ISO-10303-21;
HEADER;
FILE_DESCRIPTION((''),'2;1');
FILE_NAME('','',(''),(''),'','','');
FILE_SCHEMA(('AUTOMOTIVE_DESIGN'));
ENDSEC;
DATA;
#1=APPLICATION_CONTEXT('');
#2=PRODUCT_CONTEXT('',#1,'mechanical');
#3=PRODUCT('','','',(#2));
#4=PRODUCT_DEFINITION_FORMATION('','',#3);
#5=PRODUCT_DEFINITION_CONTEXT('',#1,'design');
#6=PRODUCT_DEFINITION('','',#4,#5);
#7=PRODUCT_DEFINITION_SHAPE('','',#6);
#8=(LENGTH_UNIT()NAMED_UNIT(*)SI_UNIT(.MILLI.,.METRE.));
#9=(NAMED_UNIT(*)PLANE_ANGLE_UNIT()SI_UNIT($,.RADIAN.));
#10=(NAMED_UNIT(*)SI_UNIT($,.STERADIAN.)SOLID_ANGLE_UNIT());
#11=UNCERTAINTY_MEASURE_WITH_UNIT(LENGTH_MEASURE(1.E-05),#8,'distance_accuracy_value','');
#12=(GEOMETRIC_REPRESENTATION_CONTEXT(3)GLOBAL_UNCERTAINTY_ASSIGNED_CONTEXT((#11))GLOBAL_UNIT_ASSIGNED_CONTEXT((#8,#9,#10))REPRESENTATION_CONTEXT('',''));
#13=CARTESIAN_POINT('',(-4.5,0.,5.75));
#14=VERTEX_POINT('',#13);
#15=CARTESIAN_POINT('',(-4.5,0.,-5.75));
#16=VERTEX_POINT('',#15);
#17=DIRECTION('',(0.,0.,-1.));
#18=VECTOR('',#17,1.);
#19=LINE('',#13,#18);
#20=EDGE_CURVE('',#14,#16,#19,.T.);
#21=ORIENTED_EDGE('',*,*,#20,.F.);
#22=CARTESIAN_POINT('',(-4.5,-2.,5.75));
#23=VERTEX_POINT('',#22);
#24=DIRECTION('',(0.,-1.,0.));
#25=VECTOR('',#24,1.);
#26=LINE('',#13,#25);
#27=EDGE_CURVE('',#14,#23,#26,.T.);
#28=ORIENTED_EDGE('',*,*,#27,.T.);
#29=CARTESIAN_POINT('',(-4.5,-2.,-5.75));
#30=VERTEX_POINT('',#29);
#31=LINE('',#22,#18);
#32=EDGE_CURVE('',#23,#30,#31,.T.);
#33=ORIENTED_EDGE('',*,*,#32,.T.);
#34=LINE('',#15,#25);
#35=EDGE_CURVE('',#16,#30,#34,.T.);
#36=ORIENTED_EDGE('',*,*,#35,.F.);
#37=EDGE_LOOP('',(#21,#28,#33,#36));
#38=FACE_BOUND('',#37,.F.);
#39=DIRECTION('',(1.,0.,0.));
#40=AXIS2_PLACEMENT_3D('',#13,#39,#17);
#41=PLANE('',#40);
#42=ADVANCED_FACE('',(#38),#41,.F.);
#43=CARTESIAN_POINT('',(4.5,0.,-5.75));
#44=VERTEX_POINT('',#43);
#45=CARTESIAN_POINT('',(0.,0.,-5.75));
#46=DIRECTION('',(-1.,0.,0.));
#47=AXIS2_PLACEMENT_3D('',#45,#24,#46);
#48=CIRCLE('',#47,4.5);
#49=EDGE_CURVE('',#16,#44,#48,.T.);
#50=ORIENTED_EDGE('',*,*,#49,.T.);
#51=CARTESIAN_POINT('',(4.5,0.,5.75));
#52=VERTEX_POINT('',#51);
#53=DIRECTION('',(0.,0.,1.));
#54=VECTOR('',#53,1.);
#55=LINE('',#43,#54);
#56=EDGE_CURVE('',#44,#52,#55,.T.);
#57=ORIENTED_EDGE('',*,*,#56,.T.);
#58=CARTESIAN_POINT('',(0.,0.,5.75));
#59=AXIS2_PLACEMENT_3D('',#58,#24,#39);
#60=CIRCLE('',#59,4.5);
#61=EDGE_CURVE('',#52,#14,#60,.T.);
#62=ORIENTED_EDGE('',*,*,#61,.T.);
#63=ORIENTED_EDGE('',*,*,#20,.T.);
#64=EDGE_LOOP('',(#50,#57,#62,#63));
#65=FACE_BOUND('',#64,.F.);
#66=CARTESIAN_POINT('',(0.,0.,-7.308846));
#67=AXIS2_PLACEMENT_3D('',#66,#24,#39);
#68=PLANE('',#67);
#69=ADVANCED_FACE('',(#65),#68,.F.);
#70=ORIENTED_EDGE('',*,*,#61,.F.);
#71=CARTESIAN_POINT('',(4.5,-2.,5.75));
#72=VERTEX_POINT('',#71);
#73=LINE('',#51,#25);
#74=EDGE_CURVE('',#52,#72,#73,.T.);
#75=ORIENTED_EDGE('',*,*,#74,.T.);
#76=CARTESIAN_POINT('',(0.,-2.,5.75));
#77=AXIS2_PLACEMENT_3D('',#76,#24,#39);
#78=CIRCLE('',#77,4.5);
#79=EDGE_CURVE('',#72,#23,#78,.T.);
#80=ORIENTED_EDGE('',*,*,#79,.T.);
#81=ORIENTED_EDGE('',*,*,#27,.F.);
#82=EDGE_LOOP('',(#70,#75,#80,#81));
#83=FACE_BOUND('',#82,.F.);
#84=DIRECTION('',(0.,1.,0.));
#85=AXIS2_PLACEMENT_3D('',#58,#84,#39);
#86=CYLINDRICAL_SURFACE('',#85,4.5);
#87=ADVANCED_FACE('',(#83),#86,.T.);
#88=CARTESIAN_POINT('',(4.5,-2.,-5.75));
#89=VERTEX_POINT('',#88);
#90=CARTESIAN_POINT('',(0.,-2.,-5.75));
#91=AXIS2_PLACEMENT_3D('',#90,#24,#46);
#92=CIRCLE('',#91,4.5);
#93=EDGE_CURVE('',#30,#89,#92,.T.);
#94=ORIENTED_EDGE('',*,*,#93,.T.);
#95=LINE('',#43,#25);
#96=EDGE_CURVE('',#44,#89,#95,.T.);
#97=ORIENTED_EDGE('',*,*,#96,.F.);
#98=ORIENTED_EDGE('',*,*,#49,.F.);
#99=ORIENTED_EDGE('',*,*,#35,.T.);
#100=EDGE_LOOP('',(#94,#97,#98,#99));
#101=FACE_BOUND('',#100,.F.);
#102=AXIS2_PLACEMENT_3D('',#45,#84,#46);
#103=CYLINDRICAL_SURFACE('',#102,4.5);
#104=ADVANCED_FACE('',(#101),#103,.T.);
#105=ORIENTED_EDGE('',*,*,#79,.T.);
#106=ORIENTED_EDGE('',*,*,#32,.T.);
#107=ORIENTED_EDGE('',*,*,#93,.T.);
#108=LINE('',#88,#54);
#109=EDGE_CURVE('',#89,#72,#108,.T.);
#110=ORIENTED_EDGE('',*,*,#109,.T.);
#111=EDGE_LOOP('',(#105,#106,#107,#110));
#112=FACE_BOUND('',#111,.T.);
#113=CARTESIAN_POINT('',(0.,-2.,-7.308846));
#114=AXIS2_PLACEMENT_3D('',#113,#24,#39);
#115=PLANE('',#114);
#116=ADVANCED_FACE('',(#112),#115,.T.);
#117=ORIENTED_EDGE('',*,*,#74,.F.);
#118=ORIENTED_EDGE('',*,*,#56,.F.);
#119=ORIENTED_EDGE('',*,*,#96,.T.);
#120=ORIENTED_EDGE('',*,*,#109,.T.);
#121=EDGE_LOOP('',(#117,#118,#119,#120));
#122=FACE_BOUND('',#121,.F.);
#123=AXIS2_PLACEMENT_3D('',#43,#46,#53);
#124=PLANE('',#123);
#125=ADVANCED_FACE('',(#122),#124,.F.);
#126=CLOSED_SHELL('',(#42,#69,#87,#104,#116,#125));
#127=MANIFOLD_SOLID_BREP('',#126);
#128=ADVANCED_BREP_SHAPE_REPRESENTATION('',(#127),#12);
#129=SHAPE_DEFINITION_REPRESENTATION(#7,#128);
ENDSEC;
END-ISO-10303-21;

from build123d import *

# Parameters (mm, degrees)
F1_DEPTH = 2


with BuildPart() as f1:
    # F0 (on Front) → F1 (new body)
    with BuildSketch(Plane.XZ):
        with BuildLine():
            ThreePointArc((-4.5, -5.75), (0, -10.25), (4.5, -5.75))
            Line((4.5, -5.75), (-4.5, -5.75))
        make_face()
        with BuildLine():
            ThreePointArc((-4.5, -5.75), (0, -1.25), (4.5, -5.75))
            Line((4.5, -5.75), (4.5, 5.75))
            ThreePointArc((4.5, 5.75), (0, 1.25), (-4.5, 5.75))
            Line((-4.5, 5.75), (-4.5, -5.75))
        make_face()
        with BuildLine():
            Line((-4.5, -5.75), (4.5, -5.75))
            ThreePointArc((4.5, -5.75), (0, -1.25), (-4.5, -5.75))
        make_face()
        with BuildLine():
            ThreePointArc((-4.5, 5.75), (0, 1.25), (4.5, 5.75))
            Line((4.5, 5.75), (-4.5, 5.75))
        make_face()
        with BuildLine():
            Line((-4.5, 5.75), (4.5, 5.75))
            ThreePointArc((4.5, 5.75), (0, 10.25), (-4.5, 5.75))
        make_face()
    extrude(amount=F1_DEPTH)


solid = f1.part
